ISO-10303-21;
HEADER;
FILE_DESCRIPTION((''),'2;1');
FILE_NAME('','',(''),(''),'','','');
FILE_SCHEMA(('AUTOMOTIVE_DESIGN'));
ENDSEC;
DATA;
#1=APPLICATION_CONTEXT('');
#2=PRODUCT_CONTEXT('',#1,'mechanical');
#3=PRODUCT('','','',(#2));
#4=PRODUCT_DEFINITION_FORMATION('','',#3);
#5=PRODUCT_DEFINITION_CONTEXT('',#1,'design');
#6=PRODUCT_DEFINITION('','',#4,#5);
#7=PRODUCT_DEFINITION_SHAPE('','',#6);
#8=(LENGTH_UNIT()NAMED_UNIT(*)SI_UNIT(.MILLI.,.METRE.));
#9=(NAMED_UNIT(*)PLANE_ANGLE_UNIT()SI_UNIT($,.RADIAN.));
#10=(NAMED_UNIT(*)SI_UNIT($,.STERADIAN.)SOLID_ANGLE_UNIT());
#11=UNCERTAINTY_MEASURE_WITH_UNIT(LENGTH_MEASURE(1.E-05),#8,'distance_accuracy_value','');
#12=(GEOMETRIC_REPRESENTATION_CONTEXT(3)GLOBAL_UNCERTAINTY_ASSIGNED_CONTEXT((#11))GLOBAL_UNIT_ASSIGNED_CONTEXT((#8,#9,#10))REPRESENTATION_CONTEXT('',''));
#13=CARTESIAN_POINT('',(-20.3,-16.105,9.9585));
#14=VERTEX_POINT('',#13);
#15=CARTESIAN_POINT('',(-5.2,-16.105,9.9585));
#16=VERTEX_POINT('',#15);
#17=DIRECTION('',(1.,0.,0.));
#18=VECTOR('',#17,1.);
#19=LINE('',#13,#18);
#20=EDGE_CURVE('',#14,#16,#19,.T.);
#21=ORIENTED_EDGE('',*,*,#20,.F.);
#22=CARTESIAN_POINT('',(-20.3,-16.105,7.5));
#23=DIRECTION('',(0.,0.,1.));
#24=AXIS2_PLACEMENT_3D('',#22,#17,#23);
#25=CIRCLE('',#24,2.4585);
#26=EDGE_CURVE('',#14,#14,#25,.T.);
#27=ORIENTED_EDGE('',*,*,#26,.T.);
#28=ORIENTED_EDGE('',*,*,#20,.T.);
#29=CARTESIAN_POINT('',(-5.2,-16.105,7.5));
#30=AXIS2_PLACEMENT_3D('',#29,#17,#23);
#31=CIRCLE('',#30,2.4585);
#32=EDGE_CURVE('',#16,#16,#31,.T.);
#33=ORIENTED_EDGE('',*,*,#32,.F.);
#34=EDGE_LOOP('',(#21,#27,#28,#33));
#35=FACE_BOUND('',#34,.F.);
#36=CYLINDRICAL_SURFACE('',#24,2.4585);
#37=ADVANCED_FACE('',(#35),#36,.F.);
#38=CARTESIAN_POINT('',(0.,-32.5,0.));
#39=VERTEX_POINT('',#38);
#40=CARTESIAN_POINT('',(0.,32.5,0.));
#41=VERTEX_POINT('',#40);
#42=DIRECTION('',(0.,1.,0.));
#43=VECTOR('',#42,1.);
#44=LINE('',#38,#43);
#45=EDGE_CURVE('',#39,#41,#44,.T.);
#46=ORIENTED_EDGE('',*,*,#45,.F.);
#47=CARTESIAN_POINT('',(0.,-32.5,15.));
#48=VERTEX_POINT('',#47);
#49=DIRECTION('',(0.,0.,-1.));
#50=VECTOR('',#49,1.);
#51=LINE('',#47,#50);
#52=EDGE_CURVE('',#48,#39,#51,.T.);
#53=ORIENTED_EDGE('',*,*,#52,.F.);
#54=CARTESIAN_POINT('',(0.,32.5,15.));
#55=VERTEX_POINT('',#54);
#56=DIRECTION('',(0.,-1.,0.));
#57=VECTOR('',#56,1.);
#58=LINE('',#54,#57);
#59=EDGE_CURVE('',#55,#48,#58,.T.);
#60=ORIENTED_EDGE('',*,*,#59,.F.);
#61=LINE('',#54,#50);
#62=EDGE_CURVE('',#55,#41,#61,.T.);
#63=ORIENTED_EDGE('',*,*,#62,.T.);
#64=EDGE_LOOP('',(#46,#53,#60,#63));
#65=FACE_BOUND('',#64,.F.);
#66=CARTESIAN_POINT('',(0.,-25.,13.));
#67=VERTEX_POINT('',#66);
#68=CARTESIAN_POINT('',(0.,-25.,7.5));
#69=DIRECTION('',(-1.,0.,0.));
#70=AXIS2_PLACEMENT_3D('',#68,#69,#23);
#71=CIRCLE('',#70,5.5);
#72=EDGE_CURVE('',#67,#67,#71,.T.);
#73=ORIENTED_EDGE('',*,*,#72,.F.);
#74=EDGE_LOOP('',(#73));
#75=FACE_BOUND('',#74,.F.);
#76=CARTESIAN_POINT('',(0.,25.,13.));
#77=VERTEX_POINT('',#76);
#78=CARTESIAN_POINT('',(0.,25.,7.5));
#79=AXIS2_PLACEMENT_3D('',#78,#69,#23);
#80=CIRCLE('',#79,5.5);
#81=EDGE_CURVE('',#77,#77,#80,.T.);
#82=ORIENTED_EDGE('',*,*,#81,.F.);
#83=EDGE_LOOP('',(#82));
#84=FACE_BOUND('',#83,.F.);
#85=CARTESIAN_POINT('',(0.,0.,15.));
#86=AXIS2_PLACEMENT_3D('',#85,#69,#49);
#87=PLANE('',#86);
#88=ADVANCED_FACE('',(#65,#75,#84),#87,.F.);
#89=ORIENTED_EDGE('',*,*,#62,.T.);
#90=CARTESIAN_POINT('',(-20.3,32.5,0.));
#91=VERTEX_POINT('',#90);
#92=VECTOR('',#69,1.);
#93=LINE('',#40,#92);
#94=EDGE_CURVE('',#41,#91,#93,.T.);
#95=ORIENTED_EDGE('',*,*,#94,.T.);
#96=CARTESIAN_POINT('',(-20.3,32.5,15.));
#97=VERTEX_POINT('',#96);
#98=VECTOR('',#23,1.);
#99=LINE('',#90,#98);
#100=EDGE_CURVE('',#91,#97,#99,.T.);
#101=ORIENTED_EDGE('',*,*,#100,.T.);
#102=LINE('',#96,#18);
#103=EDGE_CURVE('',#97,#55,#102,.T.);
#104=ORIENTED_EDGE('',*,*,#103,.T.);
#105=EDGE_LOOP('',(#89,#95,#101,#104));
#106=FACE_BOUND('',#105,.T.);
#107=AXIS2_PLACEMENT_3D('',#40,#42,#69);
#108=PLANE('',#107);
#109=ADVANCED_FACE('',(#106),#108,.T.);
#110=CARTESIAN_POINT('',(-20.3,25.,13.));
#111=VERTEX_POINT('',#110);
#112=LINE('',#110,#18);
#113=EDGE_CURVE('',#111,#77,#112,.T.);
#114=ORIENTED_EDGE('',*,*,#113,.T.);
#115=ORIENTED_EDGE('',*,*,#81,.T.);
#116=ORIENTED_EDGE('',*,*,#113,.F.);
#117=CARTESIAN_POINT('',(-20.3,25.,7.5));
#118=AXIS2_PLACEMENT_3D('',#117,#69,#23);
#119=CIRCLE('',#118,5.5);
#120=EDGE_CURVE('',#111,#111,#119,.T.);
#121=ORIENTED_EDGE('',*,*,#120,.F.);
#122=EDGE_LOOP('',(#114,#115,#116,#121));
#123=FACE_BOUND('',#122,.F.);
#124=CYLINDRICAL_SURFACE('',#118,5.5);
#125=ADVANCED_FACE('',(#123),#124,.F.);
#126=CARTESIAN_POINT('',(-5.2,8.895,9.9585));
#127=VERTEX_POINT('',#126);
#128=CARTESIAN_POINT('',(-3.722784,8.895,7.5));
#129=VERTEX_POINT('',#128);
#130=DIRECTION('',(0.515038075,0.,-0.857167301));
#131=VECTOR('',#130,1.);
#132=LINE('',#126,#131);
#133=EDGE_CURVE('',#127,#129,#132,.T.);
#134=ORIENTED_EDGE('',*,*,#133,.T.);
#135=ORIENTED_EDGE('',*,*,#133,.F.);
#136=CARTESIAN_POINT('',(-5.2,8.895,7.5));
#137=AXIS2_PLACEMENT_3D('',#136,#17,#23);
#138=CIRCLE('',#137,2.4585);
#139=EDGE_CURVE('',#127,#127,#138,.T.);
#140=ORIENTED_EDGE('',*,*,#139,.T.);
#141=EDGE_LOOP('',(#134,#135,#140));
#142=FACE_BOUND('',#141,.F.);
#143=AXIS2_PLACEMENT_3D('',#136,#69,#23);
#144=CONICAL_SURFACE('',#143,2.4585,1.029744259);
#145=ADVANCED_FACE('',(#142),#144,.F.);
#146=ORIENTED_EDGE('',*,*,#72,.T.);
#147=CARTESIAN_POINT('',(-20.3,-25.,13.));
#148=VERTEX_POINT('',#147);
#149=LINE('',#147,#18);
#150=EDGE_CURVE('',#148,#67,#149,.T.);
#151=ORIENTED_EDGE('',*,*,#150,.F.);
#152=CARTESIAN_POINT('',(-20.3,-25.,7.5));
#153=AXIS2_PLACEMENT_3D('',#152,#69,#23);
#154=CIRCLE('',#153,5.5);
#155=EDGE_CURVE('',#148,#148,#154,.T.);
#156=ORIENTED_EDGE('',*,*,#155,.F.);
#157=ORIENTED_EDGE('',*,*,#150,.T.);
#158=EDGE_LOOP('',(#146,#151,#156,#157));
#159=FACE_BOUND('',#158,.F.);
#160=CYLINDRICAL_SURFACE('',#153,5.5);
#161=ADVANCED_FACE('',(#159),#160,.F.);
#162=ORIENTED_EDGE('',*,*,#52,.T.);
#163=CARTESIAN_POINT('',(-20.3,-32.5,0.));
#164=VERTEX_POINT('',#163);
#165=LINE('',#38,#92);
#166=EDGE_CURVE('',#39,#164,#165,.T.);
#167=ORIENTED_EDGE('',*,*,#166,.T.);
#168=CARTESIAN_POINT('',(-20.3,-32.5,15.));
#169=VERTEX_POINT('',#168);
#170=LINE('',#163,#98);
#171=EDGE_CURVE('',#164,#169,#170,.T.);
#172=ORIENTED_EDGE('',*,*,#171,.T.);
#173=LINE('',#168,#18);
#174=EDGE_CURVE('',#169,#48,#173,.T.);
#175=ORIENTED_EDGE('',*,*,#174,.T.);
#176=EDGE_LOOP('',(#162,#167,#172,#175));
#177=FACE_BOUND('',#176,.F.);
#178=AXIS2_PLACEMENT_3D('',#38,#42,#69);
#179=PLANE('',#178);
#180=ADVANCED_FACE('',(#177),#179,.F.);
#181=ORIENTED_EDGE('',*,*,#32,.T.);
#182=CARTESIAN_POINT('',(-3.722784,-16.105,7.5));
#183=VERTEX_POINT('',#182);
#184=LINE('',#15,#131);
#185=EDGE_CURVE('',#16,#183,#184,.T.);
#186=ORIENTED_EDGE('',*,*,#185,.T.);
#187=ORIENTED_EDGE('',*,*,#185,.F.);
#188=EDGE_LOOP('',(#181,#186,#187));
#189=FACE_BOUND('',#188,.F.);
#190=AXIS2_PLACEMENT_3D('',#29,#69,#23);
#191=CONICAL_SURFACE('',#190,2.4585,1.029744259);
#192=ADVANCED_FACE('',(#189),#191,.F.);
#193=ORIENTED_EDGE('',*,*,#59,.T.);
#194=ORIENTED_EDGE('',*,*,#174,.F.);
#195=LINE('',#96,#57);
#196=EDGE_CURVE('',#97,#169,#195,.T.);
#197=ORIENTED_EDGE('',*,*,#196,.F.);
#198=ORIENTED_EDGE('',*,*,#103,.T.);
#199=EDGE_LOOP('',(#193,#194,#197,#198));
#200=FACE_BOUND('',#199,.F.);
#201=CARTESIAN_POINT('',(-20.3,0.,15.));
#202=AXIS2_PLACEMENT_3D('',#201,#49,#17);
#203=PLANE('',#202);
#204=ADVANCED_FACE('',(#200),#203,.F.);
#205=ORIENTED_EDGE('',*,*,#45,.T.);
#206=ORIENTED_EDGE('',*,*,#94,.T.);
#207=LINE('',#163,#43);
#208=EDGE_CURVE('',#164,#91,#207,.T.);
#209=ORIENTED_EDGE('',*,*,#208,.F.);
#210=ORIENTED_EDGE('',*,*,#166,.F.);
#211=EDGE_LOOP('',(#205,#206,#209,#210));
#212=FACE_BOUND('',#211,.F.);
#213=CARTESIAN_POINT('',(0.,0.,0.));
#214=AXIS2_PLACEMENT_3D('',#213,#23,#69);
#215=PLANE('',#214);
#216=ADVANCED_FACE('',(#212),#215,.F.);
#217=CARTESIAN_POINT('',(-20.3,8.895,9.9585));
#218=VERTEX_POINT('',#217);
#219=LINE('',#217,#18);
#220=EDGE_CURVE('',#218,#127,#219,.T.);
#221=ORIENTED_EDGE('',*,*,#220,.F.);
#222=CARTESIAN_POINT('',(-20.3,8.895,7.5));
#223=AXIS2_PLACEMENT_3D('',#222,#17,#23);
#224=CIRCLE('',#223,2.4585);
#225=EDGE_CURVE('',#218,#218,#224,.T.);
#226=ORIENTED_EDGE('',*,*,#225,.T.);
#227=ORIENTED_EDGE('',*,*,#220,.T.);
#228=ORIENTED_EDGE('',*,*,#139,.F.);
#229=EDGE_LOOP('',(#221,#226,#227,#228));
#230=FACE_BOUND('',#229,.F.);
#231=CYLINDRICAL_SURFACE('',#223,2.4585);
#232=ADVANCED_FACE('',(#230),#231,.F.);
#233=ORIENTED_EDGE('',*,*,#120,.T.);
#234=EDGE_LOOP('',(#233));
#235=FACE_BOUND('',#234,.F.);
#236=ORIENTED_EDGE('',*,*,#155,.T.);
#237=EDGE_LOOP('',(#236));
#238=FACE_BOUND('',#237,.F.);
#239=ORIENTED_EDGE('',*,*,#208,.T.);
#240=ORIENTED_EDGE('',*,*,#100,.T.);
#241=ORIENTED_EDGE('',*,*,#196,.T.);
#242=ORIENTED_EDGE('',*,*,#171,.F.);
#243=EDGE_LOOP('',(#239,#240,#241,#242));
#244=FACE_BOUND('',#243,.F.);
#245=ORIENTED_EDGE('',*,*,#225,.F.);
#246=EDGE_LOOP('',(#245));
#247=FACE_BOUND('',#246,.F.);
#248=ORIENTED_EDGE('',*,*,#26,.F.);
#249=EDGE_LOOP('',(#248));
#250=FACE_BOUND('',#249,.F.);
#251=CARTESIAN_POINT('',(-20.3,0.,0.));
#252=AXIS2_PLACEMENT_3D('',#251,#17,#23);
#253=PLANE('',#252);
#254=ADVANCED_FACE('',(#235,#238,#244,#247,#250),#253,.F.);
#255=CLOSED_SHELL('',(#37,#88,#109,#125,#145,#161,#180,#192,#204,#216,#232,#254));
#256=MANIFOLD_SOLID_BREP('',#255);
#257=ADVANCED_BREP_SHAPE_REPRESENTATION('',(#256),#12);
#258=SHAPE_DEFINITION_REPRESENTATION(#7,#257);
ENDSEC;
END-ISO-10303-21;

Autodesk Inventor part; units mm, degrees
ref_plane "YZ Plane" through (0, 0, 0) normal (1, 0, 0) x (0, 1, 0)
ref_plane "XZ Plane" through (0, 0, 0) normal (0, 1, 0) x (-1, 0, 0)
ref_plane "XY Plane" through (0, 0, 0) normal (0, 0, 1) x (1, 0, 0)
sketch "Sketch1" plane through (0, 0, 0) normal (0, 1, 0) x (-1, 0, 0)
  line L0 (0, 0) -> (20.3, 0)
  line L1 (20.3, 0) -> (20.3, 15)
  line L2 (20.3, 15) -> (0, 15)
  line L3 (0, 15) -> (0, 0)
  dimension "d0" = 15
  dimension "d1" = 20.3
extrude "Extrusion1" add sketch "Sketch1" along normal mid plane 65
sketch "Sketch2" plane through (-20.3, -32.5, 15) normal (-1, 0, 0) x (0, 0, 1)
  circle A0 centre (-7.5, 7.5) radius 3.25
  circle A1 centre (-7.5, 57.5) radius 3.25
  circle A2 centre (-7.5, 7.5) radius 5.5
  circle A3 centre (-7.5, 57.5) radius 5.5
  line L0 (0, 0) -> (-15, 0) projected
  line L1 (-15, 32.5) -> (12.3047, 32.5) construction
  dimension "d4" = 6.5
  dimension "d5" = 6.5
  dimension "d8" = 11
  dimension "d9" = 11
  dimension "d26" = 25
  dimension "d27" = 25
extrude "Extrusion2" cut sketch "Sketch2" against normal through all contours A0 | A1
extrude "Extrusion3" cut sketch "Sketch2" against normal blind 21.3
sketch "Sketch3" plane through (-20.3, -32.5, 15) normal (-1, 0, 0) x (0, 0, 1)
  circle A0 centre (-7.5, 16.395) radius 3
  line L0 (0, 0) -> (-15, 0) projected
  circle A1 centre (-7.5, 41.395) radius 3
  point P0 (-15, 32.5)
  dimension "d14" = 6
  dimension "d22" = 16.395
  dimension "d23" = 6
  dimension "d24" = 25
hole "Hole1" at (-20.3, -16.105, 7.5) at (-20.3, 8.895, 7.5) direction (1, 0, 0) diameter 4.917 depth 15.1 tip angle 118 thread size "M6x1" class "6H" standard "ANSI Metric M Profile"
sketch "Sketch4" plane through (-20.3, -32.5, 15) normal (-1, 0, 0) x (0, 0, 1)
  point P0 (-15, 32.5)
properties part number "HeadbarHolderBracket_v2" material "Aluminum 6061"
